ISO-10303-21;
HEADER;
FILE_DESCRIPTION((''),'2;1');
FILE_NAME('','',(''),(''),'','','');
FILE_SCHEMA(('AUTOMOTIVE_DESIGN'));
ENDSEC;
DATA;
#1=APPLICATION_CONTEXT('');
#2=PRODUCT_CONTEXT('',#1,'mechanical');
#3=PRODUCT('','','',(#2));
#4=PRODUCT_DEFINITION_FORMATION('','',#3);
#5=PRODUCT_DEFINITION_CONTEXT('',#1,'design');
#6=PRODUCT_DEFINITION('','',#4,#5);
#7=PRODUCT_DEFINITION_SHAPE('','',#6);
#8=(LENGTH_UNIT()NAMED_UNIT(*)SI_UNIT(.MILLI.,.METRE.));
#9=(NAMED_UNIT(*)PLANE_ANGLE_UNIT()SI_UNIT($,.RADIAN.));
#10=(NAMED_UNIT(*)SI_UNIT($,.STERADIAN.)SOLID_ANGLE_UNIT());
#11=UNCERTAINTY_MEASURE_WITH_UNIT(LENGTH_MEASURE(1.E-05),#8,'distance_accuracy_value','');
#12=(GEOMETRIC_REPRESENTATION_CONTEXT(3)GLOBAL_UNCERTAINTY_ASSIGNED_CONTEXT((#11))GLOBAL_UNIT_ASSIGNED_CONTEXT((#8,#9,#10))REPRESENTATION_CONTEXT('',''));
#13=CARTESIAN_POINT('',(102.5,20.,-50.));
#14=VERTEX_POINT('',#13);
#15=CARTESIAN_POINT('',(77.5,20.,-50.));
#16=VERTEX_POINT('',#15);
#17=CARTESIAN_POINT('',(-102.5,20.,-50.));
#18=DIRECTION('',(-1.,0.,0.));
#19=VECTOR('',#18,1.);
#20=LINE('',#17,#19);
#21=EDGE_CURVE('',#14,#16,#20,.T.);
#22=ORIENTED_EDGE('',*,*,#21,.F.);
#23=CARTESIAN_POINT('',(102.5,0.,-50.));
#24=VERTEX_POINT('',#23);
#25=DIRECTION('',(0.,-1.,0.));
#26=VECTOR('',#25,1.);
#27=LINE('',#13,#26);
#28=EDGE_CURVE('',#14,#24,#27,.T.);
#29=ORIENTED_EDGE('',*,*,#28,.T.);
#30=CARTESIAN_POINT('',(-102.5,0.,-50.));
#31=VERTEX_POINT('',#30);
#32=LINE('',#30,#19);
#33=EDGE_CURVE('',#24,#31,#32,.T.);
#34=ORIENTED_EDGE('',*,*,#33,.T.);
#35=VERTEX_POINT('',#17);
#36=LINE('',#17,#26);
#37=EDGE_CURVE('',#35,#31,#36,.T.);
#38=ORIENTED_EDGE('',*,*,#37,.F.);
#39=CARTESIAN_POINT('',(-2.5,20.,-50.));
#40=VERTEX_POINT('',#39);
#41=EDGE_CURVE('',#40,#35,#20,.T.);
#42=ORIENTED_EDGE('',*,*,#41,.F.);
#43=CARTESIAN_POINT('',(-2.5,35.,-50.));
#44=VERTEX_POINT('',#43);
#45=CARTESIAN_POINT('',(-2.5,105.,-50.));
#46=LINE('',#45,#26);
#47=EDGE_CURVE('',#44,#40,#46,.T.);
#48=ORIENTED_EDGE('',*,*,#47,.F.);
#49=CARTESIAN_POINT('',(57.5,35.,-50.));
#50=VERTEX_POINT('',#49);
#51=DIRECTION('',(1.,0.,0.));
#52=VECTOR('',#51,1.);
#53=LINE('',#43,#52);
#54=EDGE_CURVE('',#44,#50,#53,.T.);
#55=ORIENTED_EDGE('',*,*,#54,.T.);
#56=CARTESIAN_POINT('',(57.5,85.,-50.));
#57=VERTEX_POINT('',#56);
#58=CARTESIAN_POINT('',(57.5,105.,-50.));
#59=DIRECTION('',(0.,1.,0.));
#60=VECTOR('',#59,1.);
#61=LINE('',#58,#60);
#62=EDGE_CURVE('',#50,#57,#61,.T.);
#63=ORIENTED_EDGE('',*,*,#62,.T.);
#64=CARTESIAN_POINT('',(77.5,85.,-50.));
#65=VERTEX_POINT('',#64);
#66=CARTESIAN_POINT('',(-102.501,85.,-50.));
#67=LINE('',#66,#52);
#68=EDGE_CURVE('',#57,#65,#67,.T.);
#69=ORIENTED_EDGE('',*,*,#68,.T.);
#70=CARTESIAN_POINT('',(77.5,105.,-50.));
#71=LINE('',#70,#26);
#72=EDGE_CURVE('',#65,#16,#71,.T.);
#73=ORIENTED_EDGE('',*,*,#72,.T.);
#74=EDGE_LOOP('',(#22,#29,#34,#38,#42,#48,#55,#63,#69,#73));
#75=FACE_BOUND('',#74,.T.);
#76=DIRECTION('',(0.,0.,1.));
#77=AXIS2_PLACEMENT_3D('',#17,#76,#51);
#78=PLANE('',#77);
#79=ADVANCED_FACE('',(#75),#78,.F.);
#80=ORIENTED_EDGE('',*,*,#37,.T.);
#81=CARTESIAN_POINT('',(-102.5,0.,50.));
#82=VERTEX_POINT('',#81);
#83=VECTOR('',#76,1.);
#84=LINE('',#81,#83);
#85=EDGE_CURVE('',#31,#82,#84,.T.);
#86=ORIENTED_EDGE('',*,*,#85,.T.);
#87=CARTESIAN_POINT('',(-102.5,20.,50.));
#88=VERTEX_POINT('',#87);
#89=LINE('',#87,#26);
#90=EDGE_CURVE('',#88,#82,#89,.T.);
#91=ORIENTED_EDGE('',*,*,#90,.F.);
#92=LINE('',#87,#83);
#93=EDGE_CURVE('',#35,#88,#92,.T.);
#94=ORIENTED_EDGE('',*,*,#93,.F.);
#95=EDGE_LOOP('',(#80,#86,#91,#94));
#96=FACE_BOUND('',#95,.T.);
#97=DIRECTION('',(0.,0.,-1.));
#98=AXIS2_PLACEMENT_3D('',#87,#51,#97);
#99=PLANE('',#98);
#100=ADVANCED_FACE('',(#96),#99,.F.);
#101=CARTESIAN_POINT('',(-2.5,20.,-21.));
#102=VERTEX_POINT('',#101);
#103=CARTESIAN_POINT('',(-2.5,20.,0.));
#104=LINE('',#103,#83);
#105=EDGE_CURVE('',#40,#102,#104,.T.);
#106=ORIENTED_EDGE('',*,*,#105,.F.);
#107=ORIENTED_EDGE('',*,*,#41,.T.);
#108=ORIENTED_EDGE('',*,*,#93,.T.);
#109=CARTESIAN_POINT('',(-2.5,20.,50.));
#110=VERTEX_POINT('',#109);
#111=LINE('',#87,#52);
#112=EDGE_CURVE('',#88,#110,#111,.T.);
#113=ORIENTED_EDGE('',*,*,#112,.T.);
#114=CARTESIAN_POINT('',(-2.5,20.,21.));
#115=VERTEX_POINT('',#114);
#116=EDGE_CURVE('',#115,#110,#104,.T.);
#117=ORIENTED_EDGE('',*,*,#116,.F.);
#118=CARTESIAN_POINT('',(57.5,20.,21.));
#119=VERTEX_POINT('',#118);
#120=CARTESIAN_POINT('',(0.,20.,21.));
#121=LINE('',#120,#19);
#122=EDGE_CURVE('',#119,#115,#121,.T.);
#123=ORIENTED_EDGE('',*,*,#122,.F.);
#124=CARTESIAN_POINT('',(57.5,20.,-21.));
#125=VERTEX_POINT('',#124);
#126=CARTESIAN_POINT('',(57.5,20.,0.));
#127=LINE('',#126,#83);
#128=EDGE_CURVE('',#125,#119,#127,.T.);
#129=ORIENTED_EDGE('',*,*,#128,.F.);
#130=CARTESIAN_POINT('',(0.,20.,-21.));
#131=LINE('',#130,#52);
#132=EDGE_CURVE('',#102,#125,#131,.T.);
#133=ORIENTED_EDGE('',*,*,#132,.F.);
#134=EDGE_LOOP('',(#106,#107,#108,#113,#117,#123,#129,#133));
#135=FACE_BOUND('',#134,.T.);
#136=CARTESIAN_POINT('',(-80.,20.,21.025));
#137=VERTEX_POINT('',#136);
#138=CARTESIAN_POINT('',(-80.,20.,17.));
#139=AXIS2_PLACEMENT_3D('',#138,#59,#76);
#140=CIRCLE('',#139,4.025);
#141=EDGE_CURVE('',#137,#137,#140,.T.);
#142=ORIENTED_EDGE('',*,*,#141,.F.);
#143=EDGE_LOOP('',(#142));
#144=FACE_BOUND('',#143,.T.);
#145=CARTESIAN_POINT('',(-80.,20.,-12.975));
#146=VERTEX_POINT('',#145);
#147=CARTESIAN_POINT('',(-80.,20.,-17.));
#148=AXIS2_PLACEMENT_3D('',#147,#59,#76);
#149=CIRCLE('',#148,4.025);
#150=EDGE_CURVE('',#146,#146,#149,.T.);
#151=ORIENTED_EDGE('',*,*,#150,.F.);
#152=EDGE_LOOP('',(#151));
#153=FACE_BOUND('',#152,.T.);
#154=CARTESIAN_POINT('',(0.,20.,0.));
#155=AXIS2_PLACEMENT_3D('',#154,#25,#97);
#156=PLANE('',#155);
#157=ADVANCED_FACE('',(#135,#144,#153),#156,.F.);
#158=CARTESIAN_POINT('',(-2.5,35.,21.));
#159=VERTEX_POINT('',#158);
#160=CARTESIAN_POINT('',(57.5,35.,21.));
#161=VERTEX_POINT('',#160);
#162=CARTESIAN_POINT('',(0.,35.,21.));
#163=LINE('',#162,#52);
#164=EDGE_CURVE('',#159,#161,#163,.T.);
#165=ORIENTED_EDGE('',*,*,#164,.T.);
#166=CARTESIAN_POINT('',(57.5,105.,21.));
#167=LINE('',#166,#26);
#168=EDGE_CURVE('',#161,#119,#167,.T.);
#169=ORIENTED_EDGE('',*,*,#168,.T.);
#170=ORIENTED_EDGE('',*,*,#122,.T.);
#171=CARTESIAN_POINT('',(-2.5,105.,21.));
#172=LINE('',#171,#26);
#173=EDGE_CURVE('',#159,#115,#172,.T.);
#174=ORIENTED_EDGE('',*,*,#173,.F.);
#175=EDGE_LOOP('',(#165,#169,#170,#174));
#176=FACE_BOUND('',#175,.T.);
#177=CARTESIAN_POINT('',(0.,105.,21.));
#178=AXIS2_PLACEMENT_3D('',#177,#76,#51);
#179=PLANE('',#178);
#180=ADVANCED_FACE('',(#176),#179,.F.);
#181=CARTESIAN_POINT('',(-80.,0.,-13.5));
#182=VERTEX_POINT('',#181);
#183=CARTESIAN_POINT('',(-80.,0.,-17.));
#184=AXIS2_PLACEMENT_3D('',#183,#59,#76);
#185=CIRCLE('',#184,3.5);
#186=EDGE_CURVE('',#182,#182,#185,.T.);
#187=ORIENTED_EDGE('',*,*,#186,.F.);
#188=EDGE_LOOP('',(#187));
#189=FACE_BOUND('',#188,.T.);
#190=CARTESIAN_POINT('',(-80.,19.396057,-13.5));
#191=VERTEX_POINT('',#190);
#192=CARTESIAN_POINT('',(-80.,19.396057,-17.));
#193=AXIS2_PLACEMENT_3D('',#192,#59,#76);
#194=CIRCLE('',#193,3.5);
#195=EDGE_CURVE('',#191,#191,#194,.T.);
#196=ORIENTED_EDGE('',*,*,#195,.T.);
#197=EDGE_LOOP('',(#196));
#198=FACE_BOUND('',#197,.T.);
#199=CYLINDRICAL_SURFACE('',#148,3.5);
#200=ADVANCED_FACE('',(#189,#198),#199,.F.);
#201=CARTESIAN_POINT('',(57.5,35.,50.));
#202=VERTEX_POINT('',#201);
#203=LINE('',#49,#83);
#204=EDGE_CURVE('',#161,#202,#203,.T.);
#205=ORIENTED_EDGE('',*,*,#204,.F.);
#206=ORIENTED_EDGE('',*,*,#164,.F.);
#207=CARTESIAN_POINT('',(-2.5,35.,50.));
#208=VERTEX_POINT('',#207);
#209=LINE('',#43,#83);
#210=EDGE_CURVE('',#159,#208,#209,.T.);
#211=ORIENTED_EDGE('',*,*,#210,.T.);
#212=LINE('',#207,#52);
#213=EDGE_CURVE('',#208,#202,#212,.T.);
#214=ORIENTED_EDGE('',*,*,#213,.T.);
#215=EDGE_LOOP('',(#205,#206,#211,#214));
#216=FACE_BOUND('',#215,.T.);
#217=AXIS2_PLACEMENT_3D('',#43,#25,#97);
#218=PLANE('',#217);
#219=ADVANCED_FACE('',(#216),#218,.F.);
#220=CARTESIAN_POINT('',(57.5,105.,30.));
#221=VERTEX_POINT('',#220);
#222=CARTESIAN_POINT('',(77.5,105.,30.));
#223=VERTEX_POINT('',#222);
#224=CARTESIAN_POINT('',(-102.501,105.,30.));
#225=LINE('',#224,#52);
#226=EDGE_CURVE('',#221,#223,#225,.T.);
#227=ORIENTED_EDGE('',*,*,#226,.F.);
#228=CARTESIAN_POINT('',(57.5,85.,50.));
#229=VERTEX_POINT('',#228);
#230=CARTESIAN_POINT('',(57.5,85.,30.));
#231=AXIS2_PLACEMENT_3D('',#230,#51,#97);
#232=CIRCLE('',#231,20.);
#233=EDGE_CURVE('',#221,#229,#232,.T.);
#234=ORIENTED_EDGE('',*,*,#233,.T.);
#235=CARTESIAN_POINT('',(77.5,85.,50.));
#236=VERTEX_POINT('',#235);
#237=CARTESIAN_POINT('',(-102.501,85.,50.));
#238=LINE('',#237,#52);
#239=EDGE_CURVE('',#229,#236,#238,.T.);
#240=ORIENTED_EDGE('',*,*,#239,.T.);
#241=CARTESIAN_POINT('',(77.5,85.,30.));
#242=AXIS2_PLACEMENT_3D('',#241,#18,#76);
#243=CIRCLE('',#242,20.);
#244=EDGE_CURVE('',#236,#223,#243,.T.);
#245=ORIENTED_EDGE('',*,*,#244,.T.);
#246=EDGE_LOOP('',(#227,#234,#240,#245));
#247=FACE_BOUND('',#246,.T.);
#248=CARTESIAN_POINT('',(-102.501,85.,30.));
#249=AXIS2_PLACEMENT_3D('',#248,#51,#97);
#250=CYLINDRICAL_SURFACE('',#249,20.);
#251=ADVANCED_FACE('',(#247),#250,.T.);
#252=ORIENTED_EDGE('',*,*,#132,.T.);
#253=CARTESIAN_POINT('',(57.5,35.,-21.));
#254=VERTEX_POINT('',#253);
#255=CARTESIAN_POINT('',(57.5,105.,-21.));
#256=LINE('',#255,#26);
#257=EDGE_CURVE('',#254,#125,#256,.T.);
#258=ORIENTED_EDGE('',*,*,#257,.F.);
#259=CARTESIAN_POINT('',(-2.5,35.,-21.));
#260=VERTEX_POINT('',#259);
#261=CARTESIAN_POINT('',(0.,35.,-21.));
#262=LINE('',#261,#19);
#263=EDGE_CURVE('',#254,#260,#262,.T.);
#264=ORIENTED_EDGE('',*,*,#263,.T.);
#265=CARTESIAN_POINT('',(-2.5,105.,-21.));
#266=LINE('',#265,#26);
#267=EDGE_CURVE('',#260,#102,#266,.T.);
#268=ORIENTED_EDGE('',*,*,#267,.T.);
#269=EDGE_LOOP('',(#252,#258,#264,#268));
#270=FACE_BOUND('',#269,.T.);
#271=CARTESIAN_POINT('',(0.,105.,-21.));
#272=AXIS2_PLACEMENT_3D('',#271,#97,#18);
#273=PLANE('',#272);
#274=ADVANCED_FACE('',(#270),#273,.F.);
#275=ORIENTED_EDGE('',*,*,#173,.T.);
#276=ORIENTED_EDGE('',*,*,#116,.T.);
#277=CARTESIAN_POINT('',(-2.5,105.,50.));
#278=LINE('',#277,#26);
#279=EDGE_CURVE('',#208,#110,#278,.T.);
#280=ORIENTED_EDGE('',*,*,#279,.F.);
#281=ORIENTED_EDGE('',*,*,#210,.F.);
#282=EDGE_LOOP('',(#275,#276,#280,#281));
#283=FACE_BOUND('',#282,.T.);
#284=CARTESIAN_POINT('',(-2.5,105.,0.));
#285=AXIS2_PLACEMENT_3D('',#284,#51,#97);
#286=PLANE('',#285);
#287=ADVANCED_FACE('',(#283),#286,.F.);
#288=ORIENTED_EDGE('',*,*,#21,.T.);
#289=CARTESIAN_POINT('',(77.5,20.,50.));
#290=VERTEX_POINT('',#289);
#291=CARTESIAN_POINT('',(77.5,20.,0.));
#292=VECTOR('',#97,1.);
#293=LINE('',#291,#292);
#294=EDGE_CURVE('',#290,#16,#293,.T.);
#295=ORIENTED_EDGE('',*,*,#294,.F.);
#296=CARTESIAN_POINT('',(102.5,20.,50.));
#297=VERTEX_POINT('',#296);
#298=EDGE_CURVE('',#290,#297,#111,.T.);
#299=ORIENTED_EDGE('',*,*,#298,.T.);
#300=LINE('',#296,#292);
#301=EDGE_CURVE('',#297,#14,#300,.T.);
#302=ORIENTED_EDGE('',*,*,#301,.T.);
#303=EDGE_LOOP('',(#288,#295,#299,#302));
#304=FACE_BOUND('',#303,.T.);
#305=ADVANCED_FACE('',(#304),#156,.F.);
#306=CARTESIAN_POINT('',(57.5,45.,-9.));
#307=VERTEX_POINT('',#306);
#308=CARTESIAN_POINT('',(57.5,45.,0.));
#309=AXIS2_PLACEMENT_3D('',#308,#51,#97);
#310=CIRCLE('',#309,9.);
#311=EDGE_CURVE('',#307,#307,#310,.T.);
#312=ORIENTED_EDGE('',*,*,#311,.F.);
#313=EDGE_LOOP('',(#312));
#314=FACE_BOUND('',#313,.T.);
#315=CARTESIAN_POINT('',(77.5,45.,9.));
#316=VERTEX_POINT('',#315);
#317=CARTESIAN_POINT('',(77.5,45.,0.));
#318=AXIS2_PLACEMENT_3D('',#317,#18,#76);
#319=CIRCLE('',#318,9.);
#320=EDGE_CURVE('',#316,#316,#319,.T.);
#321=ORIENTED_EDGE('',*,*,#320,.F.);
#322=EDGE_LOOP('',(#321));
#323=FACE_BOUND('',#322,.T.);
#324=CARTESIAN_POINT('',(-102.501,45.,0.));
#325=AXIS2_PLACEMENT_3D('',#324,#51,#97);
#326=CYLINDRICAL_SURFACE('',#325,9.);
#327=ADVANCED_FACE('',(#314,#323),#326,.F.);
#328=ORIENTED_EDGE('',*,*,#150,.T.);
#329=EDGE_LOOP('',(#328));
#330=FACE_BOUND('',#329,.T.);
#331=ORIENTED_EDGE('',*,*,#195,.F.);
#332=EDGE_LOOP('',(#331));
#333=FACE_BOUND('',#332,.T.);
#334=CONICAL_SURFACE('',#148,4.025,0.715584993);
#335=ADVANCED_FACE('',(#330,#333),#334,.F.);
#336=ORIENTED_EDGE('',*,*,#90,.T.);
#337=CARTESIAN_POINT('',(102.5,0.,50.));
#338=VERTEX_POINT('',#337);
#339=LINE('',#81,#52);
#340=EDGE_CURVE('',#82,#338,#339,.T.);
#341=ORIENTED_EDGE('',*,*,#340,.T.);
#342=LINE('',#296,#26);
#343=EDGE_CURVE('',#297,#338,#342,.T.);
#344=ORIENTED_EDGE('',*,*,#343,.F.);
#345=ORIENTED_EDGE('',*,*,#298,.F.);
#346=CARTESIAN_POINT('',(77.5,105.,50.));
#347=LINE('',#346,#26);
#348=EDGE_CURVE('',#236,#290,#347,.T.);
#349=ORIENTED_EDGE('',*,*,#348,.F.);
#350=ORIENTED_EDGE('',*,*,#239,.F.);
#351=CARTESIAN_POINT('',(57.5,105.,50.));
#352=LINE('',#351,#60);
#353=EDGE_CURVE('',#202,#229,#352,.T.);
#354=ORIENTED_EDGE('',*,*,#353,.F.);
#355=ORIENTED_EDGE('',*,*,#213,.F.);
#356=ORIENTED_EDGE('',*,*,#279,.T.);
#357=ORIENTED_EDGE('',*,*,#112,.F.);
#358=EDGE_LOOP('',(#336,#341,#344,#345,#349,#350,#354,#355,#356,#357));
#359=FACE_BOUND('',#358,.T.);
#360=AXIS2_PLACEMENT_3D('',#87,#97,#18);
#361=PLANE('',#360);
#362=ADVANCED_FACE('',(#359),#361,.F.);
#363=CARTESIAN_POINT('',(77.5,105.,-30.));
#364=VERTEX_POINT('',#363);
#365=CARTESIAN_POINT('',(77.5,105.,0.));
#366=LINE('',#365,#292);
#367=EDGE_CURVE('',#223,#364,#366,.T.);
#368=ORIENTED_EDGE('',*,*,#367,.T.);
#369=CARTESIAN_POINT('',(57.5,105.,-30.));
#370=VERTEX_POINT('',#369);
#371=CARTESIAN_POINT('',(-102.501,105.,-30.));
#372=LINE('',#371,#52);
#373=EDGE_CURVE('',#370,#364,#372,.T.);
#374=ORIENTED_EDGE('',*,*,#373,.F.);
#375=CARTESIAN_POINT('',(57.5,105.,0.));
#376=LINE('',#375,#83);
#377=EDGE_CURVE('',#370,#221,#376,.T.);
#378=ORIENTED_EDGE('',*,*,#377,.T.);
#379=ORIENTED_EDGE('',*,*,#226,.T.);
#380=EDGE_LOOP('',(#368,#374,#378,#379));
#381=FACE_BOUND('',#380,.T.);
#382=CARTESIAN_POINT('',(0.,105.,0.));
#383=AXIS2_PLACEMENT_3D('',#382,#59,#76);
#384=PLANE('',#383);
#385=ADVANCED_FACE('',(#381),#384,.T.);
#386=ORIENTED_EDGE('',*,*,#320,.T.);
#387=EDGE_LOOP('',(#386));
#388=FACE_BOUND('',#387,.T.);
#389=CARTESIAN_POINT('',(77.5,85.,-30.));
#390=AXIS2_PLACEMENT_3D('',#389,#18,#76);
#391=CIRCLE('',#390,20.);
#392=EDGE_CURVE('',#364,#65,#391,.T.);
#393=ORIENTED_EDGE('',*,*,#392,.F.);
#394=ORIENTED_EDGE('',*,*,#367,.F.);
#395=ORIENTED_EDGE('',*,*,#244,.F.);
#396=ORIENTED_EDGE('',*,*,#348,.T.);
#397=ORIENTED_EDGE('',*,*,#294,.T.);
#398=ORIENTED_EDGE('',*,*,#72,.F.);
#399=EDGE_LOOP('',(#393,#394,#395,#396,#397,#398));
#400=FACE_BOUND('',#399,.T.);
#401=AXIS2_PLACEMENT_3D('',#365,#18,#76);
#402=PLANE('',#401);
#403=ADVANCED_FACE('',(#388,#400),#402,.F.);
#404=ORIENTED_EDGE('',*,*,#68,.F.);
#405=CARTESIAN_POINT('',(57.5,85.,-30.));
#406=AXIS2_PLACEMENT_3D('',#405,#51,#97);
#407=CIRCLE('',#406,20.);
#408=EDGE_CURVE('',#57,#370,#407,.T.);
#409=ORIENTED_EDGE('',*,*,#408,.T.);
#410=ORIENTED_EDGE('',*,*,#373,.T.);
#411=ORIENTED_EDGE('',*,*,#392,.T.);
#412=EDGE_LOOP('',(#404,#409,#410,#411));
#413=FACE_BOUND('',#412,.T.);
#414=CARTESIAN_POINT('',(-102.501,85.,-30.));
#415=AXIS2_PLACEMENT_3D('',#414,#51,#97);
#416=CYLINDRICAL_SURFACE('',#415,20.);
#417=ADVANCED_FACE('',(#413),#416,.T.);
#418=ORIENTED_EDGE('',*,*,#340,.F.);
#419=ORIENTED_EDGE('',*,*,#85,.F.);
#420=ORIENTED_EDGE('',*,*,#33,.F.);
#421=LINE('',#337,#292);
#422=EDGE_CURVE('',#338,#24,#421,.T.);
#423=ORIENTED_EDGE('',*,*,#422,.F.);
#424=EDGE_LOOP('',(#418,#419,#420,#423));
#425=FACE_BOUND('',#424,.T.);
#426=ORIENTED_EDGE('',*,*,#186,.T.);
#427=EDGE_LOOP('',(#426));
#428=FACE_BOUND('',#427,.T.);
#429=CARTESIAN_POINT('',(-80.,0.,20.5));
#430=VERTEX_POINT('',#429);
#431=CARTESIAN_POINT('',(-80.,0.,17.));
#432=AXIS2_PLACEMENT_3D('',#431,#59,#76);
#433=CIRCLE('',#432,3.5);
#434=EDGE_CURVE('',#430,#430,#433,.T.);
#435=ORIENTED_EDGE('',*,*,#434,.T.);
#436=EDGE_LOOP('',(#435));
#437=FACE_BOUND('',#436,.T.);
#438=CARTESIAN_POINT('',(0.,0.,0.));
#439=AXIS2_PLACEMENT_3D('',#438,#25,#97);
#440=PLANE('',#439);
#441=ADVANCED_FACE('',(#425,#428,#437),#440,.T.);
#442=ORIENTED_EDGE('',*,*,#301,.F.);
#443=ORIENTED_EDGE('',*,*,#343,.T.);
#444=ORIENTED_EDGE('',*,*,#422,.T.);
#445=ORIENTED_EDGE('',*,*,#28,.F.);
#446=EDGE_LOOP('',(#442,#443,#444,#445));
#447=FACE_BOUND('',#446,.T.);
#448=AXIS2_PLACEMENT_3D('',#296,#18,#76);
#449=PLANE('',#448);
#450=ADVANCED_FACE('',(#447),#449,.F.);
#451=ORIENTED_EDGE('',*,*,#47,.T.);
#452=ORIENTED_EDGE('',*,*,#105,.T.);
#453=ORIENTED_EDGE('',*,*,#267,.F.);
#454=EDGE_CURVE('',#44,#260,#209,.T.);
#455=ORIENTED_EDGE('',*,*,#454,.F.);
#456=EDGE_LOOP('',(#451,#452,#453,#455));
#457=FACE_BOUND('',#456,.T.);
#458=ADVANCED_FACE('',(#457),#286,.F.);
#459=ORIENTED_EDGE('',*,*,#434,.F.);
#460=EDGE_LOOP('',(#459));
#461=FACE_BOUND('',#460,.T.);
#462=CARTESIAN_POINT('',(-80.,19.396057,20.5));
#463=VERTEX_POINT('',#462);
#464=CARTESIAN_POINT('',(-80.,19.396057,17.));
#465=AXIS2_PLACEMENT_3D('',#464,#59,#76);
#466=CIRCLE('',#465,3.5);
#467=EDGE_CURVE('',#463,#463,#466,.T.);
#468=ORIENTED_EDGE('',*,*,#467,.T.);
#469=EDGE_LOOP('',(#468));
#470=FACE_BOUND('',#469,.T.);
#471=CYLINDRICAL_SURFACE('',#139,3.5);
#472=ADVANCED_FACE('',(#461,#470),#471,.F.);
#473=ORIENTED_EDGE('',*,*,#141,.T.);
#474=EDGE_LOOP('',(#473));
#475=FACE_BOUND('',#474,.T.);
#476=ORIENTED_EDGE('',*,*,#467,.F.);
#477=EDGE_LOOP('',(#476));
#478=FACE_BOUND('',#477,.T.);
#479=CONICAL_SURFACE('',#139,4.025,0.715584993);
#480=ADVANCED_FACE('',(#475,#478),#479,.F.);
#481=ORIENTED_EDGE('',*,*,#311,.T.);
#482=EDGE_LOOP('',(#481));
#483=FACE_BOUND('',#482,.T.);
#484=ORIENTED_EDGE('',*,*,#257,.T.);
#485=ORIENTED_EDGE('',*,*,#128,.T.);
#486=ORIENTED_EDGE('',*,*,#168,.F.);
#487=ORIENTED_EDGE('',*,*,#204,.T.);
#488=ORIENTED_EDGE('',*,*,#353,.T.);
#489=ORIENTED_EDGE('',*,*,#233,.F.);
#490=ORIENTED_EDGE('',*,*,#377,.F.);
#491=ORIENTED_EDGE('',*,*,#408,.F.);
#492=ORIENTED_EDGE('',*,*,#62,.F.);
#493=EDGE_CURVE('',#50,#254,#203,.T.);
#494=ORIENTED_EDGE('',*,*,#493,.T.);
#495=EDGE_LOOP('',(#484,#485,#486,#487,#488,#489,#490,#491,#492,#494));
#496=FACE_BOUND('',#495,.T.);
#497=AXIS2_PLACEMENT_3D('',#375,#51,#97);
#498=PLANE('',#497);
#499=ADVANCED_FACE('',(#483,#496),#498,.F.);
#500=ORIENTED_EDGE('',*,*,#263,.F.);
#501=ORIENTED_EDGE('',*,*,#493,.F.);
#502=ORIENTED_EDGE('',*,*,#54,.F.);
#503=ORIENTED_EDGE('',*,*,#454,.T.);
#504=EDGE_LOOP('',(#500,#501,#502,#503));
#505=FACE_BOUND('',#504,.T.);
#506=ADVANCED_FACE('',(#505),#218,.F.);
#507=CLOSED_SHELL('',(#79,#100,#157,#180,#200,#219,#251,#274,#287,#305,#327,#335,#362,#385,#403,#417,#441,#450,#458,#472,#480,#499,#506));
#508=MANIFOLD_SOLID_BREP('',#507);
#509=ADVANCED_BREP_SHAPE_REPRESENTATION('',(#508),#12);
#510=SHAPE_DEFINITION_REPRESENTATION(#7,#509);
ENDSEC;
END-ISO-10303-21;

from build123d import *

# Parameters (mm, degrees)
SCHIZZO1_W                          = 205
SCHIZZO1_H                          = 100
ESTRUSIONE_ESTRUSIONE1_DEPTH        = 20
ESTRUSIONE_ESTRUSIONE2_START        = 20
ESTRUSIONE_ESTRUSIONE2_DEPTH        = 85
TAGLIO_ESTRUSIONE1_DEPTH            = 156.020159979
TAGLIO_ESTRUSIONE1_DEPTH_BACK       = 156.020159979
SCHIZZO4_W                          = 60
SCHIZZO4_H                          = 70
TAGLIO_ESTRUSIONE2_START            = 77.5
SCHIZZO6_R                          = 9
TAGLIO_ESTRUSIONE2_DEPTH            = 80
FORO_FILETTATO_M8X1_0_1_D           = 7
FORO_FILETTATO_M8X1_0_1_CSINK_D     = 8.05
FORO_FILETTATO_M8X1_0_1_CSINK_ANGLE = 82


with BuildPart() as part:
    # Schizzo1 → Estrusione-Estrusione1 (new body)
    with BuildSketch(Plane(origin=(0, 0, 0), x_dir=(1, 0, 0), z_dir=(0, 1, 0))):
        Rectangle(SCHIZZO1_W, SCHIZZO1_H)
    extrude(amount=ESTRUSIONE_ESTRUSIONE1_DEPTH)

    # Schizzo2 → Estrusione-Estrusione2 (add)
    with BuildSketch(Plane(origin=(0, 0, 0), x_dir=(1, 0, 0), z_dir=(0, 1, 0)).offset(ESTRUSIONE_ESTRUSIONE2_START)):
        Polygon((77.5, 50), (77.5, -50), (-2.5, -50), (-2.5, -21), (57.5, -21), (57.5, 21), (-2.5, 21), (-2.5, 50), align=None)
    extrude(amount=ESTRUSIONE_ESTRUSIONE2_DEPTH)

    # Schizzo4 → Taglio-Estrusione1 (cut, two sides: drawn at the far end of the back side and taken through both)
    with BuildSketch(Plane.XY.offset(-TAGLIO_ESTRUSIONE1_DEPTH_BACK)):
        with Locations((27.5, 70)):
            Rectangle(SCHIZZO4_W, SCHIZZO4_H)
    extrude(amount=TAGLIO_ESTRUSIONE1_DEPTH + TAGLIO_ESTRUSIONE1_DEPTH_BACK, mode=Mode.SUBTRACT)

    # Schizzo6 → Taglio-Estrusione2 (cut)
    with BuildSketch(Plane(origin=(0, 0, 0), x_dir=(0, 0, -1), z_dir=(1, 0, 0)).offset(TAGLIO_ESTRUSIONE2_START)):
        with Locations((0, 45)):
            Circle(SCHIZZO6_R)
        with BuildLine():
            Line((-50, 85), (-50, 105))
            Line((-50, 105), (-30, 105))
            ThreePointArc((-30, 105), (-44.142135624, 99.142135624), (-50, 85))
        make_face()
        with BuildLine():
            Line((30, 105), (50, 105))
            Line((50, 105), (50, 85))
            ThreePointArc((50, 85), (44.142135624, 99.142135624), (30, 105))
        make_face()
    extrude(amount=-TAGLIO_ESTRUSIONE2_DEPTH, mode=Mode.SUBTRACT)

    # Foro filettato M8x1.0-1 (through all)
    with Locations(Plane(origin=(0, 20, 0), x_dir=(1, 0, 0), z_dir=(0, 1, 0))):
        with Locations((-80, -17), (-80, 17)):
            CounterSinkHole(FORO_FILETTATO_M8X1_0_1_D / 2, FORO_FILETTATO_M8X1_0_1_CSINK_D / 2, counter_sink_angle=FORO_FILETTATO_M8X1_0_1_CSINK_ANGLE)


solid = part.part
